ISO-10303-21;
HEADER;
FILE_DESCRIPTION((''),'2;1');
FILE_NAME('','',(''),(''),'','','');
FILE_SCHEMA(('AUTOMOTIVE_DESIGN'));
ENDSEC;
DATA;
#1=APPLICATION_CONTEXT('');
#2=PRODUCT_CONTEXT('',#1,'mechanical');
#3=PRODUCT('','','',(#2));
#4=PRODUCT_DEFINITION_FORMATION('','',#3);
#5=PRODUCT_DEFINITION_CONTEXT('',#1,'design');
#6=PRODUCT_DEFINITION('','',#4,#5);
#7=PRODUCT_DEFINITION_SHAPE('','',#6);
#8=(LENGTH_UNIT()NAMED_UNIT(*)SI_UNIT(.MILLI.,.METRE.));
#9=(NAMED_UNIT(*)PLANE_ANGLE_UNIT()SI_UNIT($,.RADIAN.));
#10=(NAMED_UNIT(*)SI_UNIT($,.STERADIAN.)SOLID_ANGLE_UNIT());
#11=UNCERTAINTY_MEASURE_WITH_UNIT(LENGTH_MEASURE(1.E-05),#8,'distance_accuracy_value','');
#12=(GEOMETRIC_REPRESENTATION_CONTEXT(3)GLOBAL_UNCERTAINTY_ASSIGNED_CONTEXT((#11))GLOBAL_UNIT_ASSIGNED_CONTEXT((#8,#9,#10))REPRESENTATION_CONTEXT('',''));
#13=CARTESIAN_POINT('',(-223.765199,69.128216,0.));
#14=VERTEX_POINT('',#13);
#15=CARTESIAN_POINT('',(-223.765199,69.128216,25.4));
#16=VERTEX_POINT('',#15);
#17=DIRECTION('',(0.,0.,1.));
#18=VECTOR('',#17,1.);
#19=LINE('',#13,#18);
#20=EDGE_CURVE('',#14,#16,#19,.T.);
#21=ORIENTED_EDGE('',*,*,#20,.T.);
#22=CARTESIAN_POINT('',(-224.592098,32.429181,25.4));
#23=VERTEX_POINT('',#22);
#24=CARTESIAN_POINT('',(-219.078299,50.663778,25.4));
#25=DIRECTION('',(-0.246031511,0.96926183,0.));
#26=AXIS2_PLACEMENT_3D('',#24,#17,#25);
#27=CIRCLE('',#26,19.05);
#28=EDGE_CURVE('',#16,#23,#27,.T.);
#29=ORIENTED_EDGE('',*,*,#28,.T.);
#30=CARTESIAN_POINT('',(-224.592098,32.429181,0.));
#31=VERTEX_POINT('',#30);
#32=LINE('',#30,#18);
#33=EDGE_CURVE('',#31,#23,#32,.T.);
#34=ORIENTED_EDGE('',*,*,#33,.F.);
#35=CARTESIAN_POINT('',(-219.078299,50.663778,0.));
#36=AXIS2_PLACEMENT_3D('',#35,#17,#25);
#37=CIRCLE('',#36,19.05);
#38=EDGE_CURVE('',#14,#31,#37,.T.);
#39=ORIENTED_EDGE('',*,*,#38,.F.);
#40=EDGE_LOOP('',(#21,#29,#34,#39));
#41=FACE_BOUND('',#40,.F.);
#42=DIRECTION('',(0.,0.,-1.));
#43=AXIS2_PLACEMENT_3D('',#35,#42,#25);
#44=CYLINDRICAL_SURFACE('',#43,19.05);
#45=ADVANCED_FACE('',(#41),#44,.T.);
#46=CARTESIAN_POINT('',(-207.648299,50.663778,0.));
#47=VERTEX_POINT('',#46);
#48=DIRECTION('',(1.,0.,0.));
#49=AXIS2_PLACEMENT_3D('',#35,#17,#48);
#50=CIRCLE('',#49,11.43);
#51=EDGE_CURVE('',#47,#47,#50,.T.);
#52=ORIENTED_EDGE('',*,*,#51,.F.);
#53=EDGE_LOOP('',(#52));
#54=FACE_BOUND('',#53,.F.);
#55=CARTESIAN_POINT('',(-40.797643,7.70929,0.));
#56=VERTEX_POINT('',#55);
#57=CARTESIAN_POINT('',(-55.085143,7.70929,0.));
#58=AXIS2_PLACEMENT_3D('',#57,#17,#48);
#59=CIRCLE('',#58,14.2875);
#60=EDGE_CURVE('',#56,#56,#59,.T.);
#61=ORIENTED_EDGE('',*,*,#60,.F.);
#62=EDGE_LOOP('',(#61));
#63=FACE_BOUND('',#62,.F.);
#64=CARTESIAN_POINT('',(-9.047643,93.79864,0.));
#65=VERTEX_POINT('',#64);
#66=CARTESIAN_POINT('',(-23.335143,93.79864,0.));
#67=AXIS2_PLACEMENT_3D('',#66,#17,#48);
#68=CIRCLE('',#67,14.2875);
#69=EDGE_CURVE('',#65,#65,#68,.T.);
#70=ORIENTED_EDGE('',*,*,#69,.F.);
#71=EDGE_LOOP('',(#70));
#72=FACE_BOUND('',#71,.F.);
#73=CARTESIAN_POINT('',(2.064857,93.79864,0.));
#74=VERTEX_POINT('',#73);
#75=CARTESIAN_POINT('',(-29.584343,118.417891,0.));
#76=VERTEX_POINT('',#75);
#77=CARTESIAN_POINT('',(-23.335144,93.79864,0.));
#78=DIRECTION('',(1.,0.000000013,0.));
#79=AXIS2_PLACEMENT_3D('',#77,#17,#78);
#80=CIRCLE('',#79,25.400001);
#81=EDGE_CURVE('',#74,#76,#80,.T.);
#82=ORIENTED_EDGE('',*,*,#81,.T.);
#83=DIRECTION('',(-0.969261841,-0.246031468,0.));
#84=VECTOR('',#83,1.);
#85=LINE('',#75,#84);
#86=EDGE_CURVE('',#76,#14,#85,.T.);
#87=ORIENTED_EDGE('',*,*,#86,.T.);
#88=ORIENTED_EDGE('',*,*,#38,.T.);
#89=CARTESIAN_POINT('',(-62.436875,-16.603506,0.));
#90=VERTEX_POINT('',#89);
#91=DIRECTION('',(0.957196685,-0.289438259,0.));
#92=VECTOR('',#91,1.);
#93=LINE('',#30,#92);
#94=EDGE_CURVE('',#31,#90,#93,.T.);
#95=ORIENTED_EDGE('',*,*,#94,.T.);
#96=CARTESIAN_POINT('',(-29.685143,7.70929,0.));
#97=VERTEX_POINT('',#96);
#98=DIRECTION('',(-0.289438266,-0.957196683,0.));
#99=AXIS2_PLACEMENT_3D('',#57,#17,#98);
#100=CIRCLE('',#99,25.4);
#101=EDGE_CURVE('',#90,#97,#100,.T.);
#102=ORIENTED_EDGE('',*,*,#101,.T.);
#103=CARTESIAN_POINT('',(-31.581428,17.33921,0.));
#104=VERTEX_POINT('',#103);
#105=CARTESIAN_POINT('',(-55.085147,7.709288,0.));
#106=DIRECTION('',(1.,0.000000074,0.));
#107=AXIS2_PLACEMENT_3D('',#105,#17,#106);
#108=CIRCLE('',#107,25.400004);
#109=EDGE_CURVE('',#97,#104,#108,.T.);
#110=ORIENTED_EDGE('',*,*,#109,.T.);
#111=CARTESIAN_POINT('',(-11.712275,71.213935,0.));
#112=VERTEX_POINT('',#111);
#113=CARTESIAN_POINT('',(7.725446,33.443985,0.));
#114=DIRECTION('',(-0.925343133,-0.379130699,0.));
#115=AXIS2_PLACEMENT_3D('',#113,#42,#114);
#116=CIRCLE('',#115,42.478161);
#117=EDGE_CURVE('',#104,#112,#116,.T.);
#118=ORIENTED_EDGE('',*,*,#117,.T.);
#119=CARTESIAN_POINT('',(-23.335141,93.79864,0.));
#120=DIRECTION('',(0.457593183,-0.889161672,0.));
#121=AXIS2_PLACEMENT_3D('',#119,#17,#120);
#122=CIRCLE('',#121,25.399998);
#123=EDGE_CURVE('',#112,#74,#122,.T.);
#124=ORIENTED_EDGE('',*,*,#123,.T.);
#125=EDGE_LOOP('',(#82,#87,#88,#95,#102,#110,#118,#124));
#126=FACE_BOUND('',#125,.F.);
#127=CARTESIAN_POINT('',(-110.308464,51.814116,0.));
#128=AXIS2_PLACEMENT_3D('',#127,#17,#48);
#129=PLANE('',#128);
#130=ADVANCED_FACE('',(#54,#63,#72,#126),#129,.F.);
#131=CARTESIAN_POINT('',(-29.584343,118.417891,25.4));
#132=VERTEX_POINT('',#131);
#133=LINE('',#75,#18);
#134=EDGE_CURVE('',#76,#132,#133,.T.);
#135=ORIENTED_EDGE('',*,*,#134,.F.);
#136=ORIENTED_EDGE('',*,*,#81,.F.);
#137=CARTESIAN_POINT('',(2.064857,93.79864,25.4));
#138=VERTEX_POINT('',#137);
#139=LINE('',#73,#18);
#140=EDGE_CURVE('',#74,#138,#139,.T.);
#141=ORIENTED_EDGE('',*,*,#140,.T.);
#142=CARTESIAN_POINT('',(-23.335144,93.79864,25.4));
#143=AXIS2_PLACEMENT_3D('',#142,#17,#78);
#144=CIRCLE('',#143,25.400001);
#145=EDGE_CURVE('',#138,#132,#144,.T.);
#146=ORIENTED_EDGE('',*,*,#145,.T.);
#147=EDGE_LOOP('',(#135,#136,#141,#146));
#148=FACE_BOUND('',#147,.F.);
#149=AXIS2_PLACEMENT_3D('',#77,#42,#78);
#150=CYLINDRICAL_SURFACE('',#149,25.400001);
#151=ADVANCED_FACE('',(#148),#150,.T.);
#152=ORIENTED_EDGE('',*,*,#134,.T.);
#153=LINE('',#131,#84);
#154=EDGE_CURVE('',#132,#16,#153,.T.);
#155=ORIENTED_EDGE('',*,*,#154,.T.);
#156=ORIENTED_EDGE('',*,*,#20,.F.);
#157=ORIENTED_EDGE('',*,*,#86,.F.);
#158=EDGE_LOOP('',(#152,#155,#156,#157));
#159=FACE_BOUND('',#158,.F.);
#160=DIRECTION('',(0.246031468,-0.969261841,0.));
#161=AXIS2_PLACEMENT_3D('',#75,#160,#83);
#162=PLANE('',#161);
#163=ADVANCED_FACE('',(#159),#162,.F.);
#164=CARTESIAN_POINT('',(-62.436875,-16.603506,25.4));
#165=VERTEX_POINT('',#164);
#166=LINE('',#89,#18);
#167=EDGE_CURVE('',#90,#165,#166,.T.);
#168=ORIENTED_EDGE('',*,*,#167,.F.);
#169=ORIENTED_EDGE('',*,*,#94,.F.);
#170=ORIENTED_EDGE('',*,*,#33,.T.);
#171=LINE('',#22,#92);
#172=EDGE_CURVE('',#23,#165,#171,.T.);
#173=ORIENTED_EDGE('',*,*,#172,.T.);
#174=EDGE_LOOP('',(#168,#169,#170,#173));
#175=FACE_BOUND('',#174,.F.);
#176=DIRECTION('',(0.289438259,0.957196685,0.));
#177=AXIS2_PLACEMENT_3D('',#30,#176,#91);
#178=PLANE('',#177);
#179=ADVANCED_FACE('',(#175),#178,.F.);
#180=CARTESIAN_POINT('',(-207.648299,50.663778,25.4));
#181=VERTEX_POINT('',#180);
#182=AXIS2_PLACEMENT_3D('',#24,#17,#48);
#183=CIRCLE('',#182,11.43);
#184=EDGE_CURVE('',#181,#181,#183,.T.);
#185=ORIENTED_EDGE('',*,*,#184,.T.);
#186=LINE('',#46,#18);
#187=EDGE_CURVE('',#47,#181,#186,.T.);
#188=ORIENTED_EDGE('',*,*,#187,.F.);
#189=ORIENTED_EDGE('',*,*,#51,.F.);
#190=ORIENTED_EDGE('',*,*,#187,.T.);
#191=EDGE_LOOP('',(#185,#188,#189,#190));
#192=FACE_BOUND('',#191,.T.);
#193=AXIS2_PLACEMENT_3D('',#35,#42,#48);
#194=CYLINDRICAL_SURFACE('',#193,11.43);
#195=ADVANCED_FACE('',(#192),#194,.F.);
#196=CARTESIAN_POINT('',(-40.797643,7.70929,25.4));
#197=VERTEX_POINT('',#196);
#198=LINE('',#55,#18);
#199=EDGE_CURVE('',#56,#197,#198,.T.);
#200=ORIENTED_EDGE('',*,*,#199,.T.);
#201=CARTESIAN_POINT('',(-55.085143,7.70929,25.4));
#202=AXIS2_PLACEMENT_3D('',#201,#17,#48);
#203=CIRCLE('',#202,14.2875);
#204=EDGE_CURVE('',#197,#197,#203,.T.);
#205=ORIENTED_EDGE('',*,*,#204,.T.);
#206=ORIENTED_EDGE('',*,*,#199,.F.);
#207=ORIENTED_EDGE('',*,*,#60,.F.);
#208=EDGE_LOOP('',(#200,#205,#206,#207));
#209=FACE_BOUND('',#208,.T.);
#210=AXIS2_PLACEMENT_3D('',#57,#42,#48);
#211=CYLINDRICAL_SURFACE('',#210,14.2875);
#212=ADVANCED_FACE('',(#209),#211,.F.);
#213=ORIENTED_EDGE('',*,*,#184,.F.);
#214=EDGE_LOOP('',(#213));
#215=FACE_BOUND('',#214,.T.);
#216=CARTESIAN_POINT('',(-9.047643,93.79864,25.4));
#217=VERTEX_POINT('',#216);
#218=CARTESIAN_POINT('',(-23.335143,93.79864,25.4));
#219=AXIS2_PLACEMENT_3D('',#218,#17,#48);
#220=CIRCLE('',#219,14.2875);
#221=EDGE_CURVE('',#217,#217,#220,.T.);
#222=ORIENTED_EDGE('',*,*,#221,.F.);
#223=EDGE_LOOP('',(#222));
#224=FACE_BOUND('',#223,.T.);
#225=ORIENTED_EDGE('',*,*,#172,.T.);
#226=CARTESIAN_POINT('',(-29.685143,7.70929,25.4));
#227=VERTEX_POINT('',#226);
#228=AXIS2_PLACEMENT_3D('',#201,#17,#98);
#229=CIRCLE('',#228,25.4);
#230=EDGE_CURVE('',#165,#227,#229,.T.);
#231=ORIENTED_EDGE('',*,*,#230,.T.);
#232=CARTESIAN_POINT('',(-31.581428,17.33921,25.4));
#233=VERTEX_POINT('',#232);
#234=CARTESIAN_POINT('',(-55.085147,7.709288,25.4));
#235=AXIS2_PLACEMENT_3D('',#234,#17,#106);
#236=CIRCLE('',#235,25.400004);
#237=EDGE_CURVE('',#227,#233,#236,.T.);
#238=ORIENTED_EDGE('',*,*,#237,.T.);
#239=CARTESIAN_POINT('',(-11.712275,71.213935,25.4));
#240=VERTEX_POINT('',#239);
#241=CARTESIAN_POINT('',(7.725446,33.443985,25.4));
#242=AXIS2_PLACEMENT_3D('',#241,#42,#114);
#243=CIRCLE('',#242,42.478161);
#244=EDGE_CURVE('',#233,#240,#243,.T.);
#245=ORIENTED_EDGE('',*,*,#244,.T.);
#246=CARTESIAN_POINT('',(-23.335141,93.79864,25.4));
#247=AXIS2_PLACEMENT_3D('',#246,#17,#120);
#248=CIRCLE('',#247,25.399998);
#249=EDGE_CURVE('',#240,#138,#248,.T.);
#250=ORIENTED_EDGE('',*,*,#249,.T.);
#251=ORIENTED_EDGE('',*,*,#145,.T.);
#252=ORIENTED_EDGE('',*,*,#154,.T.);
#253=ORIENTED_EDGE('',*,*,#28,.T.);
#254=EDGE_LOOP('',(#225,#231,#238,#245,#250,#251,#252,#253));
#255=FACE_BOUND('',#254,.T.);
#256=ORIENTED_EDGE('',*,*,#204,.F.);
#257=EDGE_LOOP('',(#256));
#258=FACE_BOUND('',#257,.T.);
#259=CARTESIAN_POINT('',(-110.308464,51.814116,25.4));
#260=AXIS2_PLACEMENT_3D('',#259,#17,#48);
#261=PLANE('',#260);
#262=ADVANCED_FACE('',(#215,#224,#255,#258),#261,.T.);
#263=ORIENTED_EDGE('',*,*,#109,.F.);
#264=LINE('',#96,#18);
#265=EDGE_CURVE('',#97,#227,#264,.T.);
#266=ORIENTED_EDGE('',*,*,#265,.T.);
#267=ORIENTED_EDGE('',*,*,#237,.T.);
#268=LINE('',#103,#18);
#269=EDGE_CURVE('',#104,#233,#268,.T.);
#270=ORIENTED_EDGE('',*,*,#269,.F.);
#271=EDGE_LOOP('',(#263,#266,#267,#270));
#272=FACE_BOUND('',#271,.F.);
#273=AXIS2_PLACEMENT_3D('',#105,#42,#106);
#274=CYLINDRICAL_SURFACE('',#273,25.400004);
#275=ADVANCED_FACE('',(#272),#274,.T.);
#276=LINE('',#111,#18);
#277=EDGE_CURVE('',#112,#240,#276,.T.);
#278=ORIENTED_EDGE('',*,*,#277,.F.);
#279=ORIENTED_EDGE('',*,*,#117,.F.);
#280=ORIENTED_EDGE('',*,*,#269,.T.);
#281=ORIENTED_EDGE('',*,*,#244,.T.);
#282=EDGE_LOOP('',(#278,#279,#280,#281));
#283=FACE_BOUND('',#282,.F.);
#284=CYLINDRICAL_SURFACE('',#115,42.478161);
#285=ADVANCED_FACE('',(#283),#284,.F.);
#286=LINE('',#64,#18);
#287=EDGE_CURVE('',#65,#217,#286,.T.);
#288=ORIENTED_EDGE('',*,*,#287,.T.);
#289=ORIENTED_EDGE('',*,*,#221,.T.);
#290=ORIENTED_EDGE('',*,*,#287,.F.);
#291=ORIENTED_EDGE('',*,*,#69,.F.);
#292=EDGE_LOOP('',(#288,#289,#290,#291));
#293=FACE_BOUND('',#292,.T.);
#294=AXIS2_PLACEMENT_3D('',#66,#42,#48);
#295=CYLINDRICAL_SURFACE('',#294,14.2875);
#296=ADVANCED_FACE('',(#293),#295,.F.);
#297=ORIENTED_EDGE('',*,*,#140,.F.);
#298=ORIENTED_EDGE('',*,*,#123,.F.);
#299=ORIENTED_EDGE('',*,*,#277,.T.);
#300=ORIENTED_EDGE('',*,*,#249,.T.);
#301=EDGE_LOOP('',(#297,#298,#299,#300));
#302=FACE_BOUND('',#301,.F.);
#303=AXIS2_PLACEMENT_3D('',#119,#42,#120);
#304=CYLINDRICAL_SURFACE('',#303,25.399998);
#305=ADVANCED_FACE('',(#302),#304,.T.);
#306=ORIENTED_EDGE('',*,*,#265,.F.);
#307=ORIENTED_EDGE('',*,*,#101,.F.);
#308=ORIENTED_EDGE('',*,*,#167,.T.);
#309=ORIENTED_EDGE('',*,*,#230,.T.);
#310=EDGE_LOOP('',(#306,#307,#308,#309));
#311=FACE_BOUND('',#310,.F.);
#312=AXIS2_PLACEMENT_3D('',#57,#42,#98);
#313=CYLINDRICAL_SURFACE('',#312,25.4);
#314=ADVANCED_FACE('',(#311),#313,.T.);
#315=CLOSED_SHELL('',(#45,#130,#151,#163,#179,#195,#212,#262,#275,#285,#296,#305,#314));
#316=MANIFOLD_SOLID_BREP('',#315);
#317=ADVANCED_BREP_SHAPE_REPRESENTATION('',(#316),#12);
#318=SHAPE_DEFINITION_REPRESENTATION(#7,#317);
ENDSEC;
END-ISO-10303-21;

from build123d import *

# Parameters (mm, degrees)
F0_R     = 11.43
F0_R_2   = 14.2875
F1_DEPTH = 25.4


with BuildPart() as f1:
    # F0 (on Top) → F1 (new body)
    with BuildSketch(Plane.XY):
        with BuildLine():
            ThreePointArc((-223.765199, 69.128216), (-207.381781, 65.700199), (-200.028299, 50.663778))
            ThreePointArc((-200.028299, 50.663778), (-207.723462, 35.367694), (-224.592098, 32.429181))
            Line((-224.592098, 32.429181), (-62.436875, -16.603506))
            ThreePointArc((-62.436875, -16.603506), (-73.880053, 24.794703), (-31.581428, 17.33921))
            ThreePointArc((-31.581428, 17.33921), (-32.128705, 48.14231), (-11.712275, 71.213935))
            ThreePointArc((-11.712275, 71.213935), (-47.089563, 84.80489), (-29.584343, 118.417891))
            Line((-29.584343, 118.417891), (-223.765199, 69.128216))
        make_face()
        with BuildLine():
            ThreePointArc((-224.592098, 32.429181), (-207.723462, 35.367694), (-200.028299, 50.663778))
            ThreePointArc((-200.028299, 50.663778), (-207.381781, 65.700199), (-223.765199, 69.128216))
            ThreePointArc((-223.765199, 69.128216), (-238.123465, 51.092902), (-224.592098, 32.429181))
        make_face()
        with Locations((-219.078299, 50.663778)):
            Circle(F0_R, mode=Mode.SUBTRACT)
        with BuildLine():
            ThreePointArc((2.064857, 93.79864), (-7.739786, 113.847202), (-29.584343, 118.417891))
            ThreePointArc((-29.584343, 118.417891), (-47.089563, 84.80489), (-11.712275, 71.213935))
            ThreePointArc((-11.712275, 71.213935), (-1.651268, 80.571034), (2.064857, 93.79864))
        make_face()
        with Locations((-23.335143, 93.79864)):
            Circle(F0_R_2, mode=Mode.SUBTRACT)
        with BuildLine():
            ThreePointArc((-31.581428, 17.33921), (-73.880053, 24.794703), (-62.436875, -16.603506))
            ThreePointArc((-62.436875, -16.603506), (-39.945361, -12.685489), (-29.685143, 7.70929))
            ThreePointArc((-29.685143, 7.70929), (-30.163723, 12.616714), (-31.581428, 17.33921))
        make_face()
        with Locations((-55.085143, 7.70929)):
            Circle(F0_R_2, mode=Mode.SUBTRACT)
    extrude(amount=F1_DEPTH)


solid = f1.part
